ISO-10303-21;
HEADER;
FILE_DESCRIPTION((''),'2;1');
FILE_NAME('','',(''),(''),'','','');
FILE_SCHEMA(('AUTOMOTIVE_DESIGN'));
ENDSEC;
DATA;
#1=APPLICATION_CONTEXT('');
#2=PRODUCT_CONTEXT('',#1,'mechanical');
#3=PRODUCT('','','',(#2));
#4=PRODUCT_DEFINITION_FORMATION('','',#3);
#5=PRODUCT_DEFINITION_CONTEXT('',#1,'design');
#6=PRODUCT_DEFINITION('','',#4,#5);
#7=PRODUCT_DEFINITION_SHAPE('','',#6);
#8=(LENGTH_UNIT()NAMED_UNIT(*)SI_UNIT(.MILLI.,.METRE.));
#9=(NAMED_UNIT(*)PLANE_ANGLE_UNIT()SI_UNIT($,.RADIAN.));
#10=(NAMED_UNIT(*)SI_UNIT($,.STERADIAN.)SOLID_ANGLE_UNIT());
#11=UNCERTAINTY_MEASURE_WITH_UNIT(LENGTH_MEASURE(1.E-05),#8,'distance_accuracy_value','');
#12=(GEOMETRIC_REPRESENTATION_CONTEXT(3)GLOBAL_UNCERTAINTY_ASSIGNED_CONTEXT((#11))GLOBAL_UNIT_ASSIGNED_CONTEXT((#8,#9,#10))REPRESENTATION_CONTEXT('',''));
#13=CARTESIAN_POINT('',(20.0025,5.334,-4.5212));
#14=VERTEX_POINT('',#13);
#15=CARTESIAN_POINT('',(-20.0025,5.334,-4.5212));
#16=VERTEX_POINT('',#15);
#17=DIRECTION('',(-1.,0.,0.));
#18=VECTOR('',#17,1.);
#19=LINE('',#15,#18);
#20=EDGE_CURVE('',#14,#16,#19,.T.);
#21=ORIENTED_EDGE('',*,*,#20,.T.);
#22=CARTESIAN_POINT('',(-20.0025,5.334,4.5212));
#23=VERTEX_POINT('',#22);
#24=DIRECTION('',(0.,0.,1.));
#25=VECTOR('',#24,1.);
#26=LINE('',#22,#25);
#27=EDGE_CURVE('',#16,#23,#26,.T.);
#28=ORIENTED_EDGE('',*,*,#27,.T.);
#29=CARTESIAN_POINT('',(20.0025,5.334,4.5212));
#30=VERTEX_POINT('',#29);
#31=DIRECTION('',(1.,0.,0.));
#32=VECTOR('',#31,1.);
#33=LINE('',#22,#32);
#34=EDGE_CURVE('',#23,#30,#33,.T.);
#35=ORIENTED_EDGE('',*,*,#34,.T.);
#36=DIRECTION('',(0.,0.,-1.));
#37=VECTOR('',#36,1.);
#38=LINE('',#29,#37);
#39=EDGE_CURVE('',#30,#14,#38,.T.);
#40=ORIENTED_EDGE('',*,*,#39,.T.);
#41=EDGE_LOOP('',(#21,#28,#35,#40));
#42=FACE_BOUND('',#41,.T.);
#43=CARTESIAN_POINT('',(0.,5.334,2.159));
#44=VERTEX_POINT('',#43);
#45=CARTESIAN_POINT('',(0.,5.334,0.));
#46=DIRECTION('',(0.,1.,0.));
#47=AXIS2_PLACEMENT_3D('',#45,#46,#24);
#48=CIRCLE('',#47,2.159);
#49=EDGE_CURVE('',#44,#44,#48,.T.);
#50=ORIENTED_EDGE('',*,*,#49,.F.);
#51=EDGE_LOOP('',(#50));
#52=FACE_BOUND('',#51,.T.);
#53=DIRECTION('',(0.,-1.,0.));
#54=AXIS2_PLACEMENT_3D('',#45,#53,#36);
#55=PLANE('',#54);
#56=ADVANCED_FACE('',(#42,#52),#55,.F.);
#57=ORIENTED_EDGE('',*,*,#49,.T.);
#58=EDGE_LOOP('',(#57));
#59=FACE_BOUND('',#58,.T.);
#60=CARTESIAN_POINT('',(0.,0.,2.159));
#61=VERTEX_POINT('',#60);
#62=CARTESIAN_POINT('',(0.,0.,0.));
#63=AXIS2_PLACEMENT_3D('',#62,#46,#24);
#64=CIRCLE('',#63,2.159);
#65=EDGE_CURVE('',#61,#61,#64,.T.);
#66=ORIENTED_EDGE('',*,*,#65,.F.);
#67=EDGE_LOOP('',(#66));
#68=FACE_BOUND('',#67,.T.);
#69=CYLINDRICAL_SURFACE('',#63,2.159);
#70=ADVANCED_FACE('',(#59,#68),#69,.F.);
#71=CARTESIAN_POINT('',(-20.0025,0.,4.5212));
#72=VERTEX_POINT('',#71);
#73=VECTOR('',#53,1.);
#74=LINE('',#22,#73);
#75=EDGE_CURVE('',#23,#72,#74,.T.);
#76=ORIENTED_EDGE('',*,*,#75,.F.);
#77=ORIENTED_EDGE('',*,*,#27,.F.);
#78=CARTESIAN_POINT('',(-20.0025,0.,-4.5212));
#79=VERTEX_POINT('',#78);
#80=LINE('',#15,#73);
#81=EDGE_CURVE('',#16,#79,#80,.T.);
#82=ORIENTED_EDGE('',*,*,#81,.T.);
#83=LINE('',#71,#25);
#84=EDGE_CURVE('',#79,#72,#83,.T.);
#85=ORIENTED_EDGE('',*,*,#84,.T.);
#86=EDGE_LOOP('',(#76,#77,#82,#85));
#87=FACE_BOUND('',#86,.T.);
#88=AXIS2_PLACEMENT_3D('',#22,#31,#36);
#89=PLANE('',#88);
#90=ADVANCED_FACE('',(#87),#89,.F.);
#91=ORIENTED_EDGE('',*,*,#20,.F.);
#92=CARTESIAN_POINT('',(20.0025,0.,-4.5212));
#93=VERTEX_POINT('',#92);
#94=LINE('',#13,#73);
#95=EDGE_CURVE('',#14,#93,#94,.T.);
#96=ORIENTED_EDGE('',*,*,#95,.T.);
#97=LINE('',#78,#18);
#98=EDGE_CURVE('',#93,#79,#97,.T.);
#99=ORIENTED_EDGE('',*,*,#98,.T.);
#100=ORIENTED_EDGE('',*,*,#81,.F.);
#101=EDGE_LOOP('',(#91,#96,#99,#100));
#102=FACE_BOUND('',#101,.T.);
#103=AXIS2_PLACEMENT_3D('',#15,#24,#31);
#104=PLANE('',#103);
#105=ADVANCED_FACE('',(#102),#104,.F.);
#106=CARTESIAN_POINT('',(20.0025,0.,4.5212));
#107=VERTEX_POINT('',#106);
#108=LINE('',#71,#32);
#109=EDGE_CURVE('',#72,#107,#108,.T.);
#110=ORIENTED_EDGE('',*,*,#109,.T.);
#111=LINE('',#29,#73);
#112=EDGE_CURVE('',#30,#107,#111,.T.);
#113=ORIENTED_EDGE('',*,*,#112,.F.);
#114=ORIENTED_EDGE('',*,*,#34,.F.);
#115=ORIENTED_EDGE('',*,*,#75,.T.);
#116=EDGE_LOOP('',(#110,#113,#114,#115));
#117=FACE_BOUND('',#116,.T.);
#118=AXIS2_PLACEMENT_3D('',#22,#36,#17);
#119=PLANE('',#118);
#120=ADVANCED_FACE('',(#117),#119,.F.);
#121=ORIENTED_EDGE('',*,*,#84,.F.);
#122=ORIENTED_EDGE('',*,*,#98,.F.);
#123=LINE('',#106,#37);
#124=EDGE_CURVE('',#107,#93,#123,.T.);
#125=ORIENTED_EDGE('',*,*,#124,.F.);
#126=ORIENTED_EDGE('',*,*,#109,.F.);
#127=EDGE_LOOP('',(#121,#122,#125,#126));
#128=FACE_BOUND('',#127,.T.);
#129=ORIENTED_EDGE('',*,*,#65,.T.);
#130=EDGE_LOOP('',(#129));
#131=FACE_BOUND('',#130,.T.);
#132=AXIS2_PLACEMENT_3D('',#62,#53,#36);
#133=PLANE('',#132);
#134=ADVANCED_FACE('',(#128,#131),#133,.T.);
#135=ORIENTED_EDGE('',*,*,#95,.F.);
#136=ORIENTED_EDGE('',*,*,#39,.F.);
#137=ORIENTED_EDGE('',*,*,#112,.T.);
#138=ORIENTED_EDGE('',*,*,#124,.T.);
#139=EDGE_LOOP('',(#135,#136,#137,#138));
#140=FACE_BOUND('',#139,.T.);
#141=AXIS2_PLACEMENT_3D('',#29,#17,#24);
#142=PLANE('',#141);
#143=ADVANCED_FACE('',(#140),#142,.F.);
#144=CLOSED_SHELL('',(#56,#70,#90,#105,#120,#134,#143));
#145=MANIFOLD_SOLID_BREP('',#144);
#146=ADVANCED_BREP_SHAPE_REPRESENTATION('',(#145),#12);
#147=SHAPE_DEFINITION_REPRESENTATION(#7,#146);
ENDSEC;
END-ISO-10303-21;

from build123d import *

# Parameters (mm, degrees)
SKETCH1_W           = 40.005
SKETCH1_H           = 9.0424
BOSS_EXTRUDE1_DEPTH = 5.334
SKETCH2_R           = 2.159
CUT_EXTRUDE1_DEPTH  = 6.334


with BuildPart() as part:
    # Sketch1 → Boss-Extrude1 (new body)
    with BuildSketch(Plane(origin=(0, 0, 0), x_dir=(1, 0, 0), z_dir=(0, 1, 0))):
        Rectangle(SKETCH1_W, SKETCH1_H)
    extrude(amount=BOSS_EXTRUDE1_DEPTH)

    # Sketch2 → Cut-Extrude1 (cut, through all)
    with BuildSketch(Plane(origin=(0, 5.334, 0), x_dir=(1, 0, 0), z_dir=(0, 1, 0))):
        Circle(SKETCH2_R)
    extrude(amount=-CUT_EXTRUDE1_DEPTH, mode=Mode.SUBTRACT)


solid = part.part
